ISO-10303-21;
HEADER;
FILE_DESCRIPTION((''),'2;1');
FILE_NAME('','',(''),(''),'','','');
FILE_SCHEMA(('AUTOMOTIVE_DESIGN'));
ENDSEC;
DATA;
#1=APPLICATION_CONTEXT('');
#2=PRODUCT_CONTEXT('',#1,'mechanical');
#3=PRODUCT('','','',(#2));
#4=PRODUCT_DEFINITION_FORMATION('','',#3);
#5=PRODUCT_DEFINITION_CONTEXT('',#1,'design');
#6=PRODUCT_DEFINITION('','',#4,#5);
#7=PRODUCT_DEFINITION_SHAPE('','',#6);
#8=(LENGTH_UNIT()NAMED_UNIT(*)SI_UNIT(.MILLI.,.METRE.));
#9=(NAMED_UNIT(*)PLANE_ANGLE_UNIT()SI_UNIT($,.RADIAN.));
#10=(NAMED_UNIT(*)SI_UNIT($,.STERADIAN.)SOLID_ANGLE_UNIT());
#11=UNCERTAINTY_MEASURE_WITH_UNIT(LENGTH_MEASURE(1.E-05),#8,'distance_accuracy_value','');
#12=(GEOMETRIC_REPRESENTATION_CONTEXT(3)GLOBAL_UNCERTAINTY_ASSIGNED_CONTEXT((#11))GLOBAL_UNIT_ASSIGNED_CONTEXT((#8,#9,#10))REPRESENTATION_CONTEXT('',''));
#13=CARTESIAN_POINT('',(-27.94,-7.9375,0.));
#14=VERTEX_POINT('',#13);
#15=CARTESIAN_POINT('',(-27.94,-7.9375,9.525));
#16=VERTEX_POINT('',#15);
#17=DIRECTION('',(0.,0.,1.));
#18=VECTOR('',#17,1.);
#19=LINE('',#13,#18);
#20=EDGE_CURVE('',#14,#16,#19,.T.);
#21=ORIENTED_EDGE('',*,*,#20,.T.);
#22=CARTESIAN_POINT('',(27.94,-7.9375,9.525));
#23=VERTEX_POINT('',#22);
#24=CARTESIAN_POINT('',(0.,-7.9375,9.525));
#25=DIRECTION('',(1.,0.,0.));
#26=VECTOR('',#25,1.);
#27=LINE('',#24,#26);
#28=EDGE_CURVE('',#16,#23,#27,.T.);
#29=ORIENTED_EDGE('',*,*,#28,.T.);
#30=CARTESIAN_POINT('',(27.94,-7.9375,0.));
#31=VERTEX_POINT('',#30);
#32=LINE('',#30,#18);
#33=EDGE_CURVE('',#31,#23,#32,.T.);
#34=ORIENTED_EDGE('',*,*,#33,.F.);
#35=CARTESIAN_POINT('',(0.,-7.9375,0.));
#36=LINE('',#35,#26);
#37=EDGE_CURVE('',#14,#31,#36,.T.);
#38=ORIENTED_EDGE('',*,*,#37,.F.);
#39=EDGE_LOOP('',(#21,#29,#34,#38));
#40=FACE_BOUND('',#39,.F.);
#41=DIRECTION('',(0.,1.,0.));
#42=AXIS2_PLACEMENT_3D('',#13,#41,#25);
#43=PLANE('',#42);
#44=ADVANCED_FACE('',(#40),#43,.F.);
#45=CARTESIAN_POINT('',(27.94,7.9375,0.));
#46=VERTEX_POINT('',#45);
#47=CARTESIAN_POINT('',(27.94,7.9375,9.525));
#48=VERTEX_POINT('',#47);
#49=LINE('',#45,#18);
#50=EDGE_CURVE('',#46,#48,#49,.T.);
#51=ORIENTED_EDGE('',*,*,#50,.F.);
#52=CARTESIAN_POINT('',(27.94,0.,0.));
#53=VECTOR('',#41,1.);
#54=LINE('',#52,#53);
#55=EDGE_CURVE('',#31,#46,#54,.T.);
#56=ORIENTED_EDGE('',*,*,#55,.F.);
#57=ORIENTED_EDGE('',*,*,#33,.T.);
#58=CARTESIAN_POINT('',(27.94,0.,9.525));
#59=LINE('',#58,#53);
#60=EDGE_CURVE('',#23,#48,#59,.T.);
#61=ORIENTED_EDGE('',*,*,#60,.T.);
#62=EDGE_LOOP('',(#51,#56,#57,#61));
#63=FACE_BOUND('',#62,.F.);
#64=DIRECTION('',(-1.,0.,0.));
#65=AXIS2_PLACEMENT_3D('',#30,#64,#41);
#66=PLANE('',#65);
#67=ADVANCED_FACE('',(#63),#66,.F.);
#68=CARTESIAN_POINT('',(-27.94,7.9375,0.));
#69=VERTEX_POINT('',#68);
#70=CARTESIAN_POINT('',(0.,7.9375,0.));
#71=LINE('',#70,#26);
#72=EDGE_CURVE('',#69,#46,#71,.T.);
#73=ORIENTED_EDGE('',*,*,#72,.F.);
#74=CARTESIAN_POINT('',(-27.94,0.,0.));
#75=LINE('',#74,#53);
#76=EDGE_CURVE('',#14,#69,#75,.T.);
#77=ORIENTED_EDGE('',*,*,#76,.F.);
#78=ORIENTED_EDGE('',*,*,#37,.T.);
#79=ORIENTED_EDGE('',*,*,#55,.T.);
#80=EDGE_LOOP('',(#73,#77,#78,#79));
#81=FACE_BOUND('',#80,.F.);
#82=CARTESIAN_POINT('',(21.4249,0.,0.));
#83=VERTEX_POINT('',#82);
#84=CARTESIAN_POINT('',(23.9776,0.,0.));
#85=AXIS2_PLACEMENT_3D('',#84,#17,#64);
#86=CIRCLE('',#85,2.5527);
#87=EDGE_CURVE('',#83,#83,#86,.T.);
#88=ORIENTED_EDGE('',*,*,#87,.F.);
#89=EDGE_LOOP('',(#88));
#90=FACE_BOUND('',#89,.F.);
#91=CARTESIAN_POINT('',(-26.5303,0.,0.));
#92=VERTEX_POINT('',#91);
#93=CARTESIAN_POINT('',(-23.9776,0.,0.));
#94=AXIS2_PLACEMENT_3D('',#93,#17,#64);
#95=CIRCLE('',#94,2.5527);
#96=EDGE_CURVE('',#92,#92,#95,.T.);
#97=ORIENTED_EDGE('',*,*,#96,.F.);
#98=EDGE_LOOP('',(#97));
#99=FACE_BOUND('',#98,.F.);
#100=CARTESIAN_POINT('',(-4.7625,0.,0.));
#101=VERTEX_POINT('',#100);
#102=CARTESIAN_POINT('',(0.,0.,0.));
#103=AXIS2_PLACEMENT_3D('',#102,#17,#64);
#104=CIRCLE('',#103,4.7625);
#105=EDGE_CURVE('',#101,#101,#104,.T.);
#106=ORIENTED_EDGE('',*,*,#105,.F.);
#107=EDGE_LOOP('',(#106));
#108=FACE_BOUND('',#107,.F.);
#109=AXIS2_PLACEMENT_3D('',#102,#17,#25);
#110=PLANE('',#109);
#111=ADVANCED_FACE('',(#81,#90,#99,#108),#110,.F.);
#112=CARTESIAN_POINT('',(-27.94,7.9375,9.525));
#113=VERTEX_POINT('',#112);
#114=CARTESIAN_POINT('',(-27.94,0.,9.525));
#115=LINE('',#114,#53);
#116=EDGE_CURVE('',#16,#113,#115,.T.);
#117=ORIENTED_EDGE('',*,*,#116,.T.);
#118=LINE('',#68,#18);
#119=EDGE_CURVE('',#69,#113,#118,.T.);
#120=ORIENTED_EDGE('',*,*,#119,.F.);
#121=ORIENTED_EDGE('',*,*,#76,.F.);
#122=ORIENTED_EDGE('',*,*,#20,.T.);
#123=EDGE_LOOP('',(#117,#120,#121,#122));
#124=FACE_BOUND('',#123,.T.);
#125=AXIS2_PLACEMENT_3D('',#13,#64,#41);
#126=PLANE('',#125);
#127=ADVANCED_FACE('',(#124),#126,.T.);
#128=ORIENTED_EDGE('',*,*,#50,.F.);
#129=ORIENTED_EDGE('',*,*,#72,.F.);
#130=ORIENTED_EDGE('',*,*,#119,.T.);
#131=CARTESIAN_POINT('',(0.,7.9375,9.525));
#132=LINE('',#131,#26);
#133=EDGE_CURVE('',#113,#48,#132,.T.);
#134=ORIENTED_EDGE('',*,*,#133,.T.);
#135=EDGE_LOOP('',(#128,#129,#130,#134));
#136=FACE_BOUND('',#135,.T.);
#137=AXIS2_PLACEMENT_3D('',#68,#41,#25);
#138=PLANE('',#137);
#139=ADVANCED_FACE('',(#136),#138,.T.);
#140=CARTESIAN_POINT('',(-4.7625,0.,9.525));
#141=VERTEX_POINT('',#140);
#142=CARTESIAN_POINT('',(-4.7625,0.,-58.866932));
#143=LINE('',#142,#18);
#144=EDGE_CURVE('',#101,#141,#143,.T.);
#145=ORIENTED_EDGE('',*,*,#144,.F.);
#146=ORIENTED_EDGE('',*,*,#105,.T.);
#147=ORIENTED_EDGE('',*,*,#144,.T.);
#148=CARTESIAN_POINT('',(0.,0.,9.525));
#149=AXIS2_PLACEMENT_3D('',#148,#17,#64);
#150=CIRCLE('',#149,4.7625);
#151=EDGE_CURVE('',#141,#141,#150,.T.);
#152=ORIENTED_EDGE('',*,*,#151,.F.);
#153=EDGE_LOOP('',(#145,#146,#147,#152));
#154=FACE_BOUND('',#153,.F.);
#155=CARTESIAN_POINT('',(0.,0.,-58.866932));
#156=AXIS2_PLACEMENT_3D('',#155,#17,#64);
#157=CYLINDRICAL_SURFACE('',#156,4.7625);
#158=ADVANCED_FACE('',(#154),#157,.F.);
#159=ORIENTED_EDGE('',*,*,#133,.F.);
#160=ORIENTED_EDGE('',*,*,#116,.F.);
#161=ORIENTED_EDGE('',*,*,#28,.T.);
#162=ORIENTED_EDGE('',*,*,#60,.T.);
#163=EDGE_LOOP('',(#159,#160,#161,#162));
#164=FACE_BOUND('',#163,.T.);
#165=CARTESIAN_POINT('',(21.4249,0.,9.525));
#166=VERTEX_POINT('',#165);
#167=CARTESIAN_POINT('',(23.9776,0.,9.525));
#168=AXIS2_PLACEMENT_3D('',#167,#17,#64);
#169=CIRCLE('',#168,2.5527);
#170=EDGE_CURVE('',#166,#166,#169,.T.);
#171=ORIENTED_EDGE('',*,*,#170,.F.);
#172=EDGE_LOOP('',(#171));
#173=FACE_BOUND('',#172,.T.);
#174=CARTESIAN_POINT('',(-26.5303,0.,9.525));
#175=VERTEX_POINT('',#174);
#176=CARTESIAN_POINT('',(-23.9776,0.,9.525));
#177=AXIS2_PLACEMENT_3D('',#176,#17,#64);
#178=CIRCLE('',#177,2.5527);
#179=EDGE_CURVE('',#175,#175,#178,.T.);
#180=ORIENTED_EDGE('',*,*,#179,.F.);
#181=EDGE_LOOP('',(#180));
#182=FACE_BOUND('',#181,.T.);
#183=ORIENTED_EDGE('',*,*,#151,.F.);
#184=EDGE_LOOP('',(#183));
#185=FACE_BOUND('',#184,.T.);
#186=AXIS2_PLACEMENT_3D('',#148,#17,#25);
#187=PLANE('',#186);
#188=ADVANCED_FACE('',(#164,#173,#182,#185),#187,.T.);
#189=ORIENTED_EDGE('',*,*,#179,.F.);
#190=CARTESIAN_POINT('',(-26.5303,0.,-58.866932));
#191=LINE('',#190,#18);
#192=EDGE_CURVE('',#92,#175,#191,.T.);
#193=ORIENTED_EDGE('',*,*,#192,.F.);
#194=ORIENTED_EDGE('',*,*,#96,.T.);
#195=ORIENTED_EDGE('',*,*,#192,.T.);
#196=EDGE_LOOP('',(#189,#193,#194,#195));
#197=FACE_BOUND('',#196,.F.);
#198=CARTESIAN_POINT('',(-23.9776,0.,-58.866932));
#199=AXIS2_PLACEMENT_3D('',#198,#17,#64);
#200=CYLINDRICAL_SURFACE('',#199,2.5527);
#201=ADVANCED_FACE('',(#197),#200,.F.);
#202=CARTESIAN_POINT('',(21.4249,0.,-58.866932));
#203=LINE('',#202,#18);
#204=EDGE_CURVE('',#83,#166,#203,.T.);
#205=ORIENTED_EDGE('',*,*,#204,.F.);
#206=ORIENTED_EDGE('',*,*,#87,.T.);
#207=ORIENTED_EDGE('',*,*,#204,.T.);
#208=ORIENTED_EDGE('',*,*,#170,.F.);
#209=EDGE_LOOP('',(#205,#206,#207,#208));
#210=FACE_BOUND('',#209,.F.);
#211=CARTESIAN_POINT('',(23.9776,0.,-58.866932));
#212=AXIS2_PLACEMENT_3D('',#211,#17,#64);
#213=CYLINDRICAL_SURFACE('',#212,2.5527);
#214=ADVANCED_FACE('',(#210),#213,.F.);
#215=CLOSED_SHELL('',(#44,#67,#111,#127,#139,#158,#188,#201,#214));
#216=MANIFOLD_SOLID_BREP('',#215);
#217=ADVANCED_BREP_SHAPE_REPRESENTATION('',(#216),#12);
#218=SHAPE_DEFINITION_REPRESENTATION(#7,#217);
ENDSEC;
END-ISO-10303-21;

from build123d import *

# Parameters (mm, degrees)
F0_W     = 55.88
F0_H     = 15.875
F1_DEPTH = 9.525
F2_D     = 5.1054
F3_D     = 9.525


with BuildPart() as f1:
    # F0 (on Top) → F1 (new body)
    with BuildSketch(Plane.XY):
        Rectangle(F0_W, F0_H)
    extrude(amount=F1_DEPTH)

    # F2 (through all)
    with Locations(Plane(origin=(0, 0, 0), x_dir=(1, 0, 0), z_dir=(0, 0, -1))):
        with Locations((-23.9776, 0), (23.9776, 0)):
            Hole(F2_D / 2)

    # F3 (through all)
    with Locations(Plane(origin=(0, 0, 0), x_dir=(1, 0, 0), z_dir=(0, 0, -1))):
        with Locations((0, 0)):
            Hole(F3_D / 2)


solid = f1.part
